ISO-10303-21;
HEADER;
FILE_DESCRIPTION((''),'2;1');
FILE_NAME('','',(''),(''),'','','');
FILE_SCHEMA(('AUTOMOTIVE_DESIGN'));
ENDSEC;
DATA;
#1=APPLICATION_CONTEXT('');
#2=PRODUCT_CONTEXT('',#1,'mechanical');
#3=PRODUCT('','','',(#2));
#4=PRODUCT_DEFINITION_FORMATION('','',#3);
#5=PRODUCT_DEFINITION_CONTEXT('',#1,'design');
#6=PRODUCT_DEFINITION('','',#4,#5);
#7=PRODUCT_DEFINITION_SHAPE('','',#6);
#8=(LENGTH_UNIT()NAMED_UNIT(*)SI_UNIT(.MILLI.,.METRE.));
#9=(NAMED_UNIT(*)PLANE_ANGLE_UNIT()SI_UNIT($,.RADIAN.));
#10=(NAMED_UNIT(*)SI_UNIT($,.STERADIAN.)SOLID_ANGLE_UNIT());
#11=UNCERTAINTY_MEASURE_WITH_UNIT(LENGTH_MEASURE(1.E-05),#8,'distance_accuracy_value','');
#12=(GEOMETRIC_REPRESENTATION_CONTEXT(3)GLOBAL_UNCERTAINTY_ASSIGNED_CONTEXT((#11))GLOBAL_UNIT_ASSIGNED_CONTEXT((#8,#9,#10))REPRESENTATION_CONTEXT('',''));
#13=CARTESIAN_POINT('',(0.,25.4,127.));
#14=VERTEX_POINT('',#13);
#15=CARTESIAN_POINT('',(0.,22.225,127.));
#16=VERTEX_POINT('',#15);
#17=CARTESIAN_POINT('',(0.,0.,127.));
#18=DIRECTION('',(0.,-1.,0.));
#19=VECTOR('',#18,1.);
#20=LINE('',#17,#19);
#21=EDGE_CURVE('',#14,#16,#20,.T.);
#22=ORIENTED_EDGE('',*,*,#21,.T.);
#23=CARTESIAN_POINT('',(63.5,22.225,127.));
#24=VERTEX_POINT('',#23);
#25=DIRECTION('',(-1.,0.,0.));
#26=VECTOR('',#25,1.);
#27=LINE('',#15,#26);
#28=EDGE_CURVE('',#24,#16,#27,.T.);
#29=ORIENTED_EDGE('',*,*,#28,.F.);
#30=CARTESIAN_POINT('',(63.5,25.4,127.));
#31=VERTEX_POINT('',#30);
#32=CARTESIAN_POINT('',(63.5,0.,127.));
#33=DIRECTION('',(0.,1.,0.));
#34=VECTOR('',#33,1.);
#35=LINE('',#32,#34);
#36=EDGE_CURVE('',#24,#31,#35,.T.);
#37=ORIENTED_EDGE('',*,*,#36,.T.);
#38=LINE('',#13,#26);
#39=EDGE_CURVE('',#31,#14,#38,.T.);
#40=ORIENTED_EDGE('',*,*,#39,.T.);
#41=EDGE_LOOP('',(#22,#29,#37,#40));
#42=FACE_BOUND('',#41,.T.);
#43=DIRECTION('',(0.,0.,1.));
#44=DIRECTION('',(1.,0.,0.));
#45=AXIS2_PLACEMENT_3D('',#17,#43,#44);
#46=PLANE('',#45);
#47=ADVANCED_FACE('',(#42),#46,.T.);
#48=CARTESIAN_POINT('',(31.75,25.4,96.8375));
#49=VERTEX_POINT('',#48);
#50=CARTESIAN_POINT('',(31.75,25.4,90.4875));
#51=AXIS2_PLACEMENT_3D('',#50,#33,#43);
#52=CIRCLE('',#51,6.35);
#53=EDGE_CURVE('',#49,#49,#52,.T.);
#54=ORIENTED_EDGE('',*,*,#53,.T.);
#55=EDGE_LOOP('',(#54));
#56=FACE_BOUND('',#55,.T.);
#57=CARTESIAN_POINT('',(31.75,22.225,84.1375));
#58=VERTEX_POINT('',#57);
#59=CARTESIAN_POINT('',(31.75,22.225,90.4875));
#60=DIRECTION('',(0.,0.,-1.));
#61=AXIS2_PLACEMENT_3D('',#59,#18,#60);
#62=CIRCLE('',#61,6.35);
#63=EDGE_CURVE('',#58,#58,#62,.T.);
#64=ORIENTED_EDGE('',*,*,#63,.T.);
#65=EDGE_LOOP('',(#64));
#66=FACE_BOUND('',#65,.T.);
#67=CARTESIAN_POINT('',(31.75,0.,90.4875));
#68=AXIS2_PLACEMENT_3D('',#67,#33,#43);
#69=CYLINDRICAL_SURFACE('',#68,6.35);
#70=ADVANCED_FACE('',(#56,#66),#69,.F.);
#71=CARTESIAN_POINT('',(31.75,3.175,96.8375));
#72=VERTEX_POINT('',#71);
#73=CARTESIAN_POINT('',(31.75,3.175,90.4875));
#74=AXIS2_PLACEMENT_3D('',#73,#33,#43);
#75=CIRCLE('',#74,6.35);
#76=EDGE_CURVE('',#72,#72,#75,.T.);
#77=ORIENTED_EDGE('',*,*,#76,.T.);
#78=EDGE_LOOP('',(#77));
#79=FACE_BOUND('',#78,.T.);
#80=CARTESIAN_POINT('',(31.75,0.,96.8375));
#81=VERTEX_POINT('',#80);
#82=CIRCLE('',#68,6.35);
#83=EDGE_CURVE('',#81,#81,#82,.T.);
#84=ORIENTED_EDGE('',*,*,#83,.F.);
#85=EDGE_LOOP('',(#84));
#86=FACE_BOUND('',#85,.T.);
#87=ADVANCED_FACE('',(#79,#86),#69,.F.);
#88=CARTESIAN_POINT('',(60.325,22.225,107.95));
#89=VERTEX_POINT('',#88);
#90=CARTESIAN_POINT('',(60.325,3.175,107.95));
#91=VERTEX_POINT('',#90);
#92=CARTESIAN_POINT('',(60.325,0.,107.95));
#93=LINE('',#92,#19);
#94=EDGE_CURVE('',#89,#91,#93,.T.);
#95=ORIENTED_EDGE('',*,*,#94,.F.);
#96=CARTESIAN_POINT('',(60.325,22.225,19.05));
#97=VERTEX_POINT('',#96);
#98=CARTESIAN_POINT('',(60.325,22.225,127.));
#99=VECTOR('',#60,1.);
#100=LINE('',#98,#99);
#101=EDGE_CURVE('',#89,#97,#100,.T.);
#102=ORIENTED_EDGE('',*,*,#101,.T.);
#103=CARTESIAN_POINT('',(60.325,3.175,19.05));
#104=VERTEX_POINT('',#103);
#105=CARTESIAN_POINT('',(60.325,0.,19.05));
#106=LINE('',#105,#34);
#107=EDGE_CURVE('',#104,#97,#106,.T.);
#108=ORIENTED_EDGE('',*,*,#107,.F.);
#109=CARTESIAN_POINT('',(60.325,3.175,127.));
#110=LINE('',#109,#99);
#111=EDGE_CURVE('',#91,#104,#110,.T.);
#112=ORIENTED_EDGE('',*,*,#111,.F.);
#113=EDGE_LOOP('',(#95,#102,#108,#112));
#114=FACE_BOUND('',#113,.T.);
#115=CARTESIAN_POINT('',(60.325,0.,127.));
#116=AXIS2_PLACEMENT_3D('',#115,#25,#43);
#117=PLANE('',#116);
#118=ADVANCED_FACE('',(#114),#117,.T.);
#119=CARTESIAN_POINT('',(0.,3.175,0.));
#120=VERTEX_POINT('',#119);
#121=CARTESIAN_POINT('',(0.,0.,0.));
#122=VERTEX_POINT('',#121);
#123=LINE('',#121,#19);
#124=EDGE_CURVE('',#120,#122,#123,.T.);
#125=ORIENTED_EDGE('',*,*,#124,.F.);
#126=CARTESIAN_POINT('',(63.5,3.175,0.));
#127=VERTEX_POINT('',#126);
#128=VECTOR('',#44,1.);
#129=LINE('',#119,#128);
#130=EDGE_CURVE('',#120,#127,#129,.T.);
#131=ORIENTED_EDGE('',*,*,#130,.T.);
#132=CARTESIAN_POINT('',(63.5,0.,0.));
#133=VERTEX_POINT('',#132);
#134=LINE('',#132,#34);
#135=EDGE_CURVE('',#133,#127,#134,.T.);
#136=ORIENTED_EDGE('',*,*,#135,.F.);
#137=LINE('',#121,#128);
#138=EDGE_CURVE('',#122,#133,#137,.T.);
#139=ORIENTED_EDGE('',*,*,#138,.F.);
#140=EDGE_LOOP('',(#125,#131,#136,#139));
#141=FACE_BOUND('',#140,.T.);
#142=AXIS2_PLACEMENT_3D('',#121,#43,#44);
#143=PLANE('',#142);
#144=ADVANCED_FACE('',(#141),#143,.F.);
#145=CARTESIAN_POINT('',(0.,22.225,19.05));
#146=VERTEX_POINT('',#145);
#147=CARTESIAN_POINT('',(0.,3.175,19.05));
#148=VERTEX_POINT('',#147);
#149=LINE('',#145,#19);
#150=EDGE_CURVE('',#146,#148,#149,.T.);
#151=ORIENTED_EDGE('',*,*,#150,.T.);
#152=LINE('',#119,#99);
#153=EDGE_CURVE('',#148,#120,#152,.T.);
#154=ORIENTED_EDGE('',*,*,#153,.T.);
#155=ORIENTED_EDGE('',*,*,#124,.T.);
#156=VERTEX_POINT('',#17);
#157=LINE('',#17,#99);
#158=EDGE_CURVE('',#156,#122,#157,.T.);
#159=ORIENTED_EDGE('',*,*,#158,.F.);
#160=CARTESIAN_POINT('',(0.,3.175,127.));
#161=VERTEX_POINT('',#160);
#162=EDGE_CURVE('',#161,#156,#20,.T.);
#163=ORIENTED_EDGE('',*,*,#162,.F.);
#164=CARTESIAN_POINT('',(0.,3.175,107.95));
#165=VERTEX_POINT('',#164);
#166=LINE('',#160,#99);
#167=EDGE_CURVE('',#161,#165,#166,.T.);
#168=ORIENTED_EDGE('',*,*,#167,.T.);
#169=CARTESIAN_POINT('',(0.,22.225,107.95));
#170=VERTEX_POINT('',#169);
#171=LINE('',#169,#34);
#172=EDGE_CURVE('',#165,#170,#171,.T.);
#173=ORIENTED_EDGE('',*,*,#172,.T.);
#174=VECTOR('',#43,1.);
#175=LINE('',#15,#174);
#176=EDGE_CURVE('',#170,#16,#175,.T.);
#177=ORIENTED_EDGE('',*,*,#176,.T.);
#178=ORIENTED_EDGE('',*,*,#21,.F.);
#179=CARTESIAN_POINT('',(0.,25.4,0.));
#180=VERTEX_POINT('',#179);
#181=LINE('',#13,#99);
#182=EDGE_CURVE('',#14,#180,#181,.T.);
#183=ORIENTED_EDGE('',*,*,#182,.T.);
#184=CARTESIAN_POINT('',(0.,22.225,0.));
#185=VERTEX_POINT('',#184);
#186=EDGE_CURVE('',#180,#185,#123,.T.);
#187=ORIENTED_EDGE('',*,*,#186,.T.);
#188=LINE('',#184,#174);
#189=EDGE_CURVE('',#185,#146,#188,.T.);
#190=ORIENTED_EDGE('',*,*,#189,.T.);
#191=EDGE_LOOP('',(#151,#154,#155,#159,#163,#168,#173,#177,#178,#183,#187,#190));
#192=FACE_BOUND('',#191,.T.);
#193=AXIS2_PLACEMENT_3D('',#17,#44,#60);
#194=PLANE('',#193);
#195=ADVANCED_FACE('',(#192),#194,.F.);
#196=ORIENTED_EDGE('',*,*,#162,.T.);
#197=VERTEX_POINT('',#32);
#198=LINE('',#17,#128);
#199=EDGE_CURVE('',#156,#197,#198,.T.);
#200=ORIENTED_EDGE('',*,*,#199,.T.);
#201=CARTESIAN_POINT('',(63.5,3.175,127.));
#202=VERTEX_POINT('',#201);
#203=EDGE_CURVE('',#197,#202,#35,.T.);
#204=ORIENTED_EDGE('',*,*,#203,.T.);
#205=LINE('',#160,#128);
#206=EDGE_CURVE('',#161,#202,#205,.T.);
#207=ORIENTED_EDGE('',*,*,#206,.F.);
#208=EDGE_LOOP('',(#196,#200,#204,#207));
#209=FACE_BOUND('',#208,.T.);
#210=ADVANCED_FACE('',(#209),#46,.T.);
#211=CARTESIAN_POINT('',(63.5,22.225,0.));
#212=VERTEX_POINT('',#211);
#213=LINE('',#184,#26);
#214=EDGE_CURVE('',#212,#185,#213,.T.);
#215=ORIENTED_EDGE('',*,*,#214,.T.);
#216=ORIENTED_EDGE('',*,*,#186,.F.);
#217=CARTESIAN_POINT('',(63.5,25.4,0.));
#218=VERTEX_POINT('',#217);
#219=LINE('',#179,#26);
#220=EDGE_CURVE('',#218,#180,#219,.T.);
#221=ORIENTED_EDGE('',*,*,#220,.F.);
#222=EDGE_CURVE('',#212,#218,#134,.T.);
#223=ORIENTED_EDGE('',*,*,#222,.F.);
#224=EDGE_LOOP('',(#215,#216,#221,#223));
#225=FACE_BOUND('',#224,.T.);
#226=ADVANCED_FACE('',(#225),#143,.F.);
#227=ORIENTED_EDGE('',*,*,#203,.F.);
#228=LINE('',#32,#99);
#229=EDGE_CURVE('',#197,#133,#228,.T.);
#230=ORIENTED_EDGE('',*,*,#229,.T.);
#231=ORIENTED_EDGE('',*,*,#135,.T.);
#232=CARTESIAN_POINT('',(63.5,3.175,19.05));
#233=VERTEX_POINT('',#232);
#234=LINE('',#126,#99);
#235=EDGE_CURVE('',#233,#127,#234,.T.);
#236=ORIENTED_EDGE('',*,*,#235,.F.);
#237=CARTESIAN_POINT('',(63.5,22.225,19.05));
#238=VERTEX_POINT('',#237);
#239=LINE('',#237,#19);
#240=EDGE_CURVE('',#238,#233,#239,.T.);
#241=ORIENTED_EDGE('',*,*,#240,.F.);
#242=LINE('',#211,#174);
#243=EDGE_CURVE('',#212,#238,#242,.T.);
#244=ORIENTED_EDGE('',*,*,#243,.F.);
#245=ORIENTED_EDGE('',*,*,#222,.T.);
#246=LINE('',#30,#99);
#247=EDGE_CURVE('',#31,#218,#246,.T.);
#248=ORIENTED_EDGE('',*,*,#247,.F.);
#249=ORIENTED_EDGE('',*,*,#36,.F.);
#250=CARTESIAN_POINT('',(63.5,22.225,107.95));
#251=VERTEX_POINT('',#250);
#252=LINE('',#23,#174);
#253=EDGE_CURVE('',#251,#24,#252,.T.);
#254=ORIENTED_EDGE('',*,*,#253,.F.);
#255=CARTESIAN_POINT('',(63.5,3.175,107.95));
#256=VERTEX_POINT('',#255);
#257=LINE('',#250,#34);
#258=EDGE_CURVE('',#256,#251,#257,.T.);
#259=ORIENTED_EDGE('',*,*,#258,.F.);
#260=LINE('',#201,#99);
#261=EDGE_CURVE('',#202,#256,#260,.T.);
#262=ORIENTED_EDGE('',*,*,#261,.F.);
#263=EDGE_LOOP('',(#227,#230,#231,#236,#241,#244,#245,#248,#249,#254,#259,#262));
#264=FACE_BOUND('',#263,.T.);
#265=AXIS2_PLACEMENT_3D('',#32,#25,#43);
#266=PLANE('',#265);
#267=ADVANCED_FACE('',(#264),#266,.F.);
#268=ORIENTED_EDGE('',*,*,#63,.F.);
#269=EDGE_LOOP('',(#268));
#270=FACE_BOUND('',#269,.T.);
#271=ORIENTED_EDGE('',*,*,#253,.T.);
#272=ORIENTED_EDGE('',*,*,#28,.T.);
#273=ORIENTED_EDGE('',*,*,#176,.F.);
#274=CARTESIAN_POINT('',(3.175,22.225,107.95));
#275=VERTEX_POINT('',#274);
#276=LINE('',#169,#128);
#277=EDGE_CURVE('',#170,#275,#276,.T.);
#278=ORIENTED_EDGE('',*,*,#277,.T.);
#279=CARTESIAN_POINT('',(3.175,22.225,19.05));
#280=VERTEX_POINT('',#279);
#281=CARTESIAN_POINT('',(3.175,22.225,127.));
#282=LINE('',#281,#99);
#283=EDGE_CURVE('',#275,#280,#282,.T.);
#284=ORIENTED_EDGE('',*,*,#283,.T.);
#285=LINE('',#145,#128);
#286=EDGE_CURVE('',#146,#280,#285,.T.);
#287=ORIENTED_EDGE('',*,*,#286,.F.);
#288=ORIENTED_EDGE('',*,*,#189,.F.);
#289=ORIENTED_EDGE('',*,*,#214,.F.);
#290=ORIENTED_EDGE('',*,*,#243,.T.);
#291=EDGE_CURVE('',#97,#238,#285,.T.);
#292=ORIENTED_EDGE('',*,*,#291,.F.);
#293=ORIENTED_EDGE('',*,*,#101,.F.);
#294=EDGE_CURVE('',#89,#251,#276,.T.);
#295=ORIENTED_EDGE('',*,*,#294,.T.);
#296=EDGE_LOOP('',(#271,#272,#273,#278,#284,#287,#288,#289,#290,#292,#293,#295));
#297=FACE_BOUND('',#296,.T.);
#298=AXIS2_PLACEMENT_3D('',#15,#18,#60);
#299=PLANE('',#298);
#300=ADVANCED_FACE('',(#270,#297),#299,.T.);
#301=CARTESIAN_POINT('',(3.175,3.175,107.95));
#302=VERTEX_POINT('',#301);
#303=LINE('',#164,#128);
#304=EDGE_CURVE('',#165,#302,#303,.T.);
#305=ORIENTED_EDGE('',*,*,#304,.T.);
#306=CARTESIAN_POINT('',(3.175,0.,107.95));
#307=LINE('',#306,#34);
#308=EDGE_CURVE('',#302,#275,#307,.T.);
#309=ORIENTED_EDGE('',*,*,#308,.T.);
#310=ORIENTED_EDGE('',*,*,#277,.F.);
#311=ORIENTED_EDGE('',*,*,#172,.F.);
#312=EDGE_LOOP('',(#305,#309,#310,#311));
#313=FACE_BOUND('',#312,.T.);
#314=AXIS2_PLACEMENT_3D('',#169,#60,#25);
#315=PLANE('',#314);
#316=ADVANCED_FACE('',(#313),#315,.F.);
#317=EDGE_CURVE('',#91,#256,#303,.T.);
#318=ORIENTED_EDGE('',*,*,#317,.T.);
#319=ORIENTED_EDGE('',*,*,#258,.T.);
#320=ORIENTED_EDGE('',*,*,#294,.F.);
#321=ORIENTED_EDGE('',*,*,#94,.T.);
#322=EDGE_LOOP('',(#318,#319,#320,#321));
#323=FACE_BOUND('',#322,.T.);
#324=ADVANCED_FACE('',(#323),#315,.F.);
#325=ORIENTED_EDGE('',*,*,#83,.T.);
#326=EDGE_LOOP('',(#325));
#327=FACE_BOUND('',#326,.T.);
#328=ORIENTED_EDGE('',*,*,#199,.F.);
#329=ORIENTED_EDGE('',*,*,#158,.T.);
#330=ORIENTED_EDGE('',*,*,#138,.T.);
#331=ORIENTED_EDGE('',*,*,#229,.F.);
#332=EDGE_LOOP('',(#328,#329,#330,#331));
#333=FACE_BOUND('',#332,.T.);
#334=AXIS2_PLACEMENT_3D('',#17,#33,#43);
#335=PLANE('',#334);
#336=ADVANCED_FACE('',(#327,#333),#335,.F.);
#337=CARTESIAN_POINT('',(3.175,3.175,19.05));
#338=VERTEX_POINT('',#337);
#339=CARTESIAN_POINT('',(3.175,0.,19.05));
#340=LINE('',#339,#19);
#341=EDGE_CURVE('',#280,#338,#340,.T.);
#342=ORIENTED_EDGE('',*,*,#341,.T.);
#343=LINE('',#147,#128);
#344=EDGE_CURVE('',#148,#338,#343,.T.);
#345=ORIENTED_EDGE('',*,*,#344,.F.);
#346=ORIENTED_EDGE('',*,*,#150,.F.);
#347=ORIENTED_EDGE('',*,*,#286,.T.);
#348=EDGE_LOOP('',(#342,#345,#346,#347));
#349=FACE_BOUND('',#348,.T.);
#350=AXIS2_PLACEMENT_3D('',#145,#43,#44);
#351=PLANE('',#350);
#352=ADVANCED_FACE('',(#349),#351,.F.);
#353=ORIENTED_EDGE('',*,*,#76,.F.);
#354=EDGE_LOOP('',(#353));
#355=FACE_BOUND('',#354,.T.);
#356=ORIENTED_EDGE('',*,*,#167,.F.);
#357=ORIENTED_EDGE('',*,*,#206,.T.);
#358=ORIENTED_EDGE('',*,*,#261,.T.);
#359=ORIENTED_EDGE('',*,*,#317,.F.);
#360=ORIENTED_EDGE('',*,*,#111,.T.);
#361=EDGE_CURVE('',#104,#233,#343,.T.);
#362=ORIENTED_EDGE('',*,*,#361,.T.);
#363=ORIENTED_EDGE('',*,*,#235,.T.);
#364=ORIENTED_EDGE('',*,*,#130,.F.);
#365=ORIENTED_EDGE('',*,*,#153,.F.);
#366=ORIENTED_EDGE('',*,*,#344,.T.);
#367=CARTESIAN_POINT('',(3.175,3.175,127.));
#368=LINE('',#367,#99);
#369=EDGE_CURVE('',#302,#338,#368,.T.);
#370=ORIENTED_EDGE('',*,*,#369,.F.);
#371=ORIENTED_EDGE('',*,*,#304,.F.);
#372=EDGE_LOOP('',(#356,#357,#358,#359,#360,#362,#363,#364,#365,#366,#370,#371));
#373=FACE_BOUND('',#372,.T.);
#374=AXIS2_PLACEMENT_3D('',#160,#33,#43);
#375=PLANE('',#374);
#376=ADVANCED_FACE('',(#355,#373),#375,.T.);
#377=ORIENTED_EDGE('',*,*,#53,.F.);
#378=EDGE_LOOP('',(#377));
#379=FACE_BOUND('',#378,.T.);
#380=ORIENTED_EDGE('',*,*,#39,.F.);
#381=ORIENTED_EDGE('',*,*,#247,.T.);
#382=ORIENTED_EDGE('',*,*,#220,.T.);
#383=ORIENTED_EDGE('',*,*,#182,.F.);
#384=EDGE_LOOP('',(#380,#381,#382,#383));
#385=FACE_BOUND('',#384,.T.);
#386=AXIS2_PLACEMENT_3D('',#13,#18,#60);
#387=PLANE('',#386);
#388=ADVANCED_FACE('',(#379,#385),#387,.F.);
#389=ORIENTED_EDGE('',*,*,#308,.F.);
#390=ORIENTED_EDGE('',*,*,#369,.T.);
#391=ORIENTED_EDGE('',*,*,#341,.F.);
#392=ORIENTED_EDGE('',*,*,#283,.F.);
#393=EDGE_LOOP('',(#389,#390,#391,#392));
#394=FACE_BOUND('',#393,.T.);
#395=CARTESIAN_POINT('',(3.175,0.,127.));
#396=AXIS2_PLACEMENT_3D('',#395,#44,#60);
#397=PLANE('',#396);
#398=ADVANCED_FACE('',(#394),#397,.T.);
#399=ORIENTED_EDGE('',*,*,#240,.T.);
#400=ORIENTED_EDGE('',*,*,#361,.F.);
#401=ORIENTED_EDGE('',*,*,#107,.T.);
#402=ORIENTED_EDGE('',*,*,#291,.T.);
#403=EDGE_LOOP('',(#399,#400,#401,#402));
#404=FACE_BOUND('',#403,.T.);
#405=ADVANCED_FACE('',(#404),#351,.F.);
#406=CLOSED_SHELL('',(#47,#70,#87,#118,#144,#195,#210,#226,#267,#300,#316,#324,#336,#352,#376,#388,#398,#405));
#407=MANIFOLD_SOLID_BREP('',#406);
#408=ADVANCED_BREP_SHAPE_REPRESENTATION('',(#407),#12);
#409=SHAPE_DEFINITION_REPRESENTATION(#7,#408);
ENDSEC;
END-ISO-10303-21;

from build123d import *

# Parameters (mm, degrees)
SKETCH1_W           = 63.5
SKETCH1_H           = 25.4
SKETCH1_W_2         = 57.15
SKETCH1_H_2         = 19.05
EXTRUDE_THIN1_DEPTH = 127
SKETCH2_W           = 19.05
SKETCH2_H           = 19.05
CUT_EXTRUDE1_DEPTH  = 145.244271983
SKETCH3_W           = 19.05
SKETCH3_H           = 19.05
CUT_EXTRUDE2_DEPTH  = 145.244271983
SKETCH4_R           = 6.35
CUT_EXTRUDE3_DEPTH  = 145.244271983


with BuildPart() as part:
    # Sketch1 → Extrude-Thin1 (new body)
    with BuildSketch(Plane.XY):
        with Locations((31.75, 12.7)):
            Rectangle(SKETCH1_W, SKETCH1_H)
        with Locations((31.75, 12.7)):
            Rectangle(SKETCH1_W_2, SKETCH1_H_2, mode=Mode.SUBTRACT)
    extrude(amount=EXTRUDE_THIN1_DEPTH)

    # Sketch2 → Cut-Extrude1 (cut, through all)
    with BuildSketch(Plane(origin=(63.5, 0, 0), x_dir=(0, 0, -1), z_dir=(1, 0, 0))):
        with Locations((-9.525, 12.7)):
            Rectangle(SKETCH2_W, SKETCH2_H)
    extrude(amount=-CUT_EXTRUDE1_DEPTH, mode=Mode.SUBTRACT)

    # Sketch3 → Cut-Extrude2 (cut, through all)
    with BuildSketch(Plane(origin=(63.5, 0, 0), x_dir=(0, 0, -1), z_dir=(1, 0, 0))):
        with Locations((-117.475, 12.7)):
            Rectangle(SKETCH3_W, SKETCH3_H)
    extrude(amount=-CUT_EXTRUDE2_DEPTH, mode=Mode.SUBTRACT)

    # Sketch4 → Cut-Extrude3 (cut, through all)
    with BuildSketch(Plane(origin=(0, 25.4, 0), x_dir=(1, 0, 0), z_dir=(0, 1, 0))):
        with Locations(Location((31.75, -90.4875, 0), (0, 0, 270))):
            Circle(SKETCH4_R)
    extrude(amount=-CUT_EXTRUDE3_DEPTH, mode=Mode.SUBTRACT)


solid = part.part
